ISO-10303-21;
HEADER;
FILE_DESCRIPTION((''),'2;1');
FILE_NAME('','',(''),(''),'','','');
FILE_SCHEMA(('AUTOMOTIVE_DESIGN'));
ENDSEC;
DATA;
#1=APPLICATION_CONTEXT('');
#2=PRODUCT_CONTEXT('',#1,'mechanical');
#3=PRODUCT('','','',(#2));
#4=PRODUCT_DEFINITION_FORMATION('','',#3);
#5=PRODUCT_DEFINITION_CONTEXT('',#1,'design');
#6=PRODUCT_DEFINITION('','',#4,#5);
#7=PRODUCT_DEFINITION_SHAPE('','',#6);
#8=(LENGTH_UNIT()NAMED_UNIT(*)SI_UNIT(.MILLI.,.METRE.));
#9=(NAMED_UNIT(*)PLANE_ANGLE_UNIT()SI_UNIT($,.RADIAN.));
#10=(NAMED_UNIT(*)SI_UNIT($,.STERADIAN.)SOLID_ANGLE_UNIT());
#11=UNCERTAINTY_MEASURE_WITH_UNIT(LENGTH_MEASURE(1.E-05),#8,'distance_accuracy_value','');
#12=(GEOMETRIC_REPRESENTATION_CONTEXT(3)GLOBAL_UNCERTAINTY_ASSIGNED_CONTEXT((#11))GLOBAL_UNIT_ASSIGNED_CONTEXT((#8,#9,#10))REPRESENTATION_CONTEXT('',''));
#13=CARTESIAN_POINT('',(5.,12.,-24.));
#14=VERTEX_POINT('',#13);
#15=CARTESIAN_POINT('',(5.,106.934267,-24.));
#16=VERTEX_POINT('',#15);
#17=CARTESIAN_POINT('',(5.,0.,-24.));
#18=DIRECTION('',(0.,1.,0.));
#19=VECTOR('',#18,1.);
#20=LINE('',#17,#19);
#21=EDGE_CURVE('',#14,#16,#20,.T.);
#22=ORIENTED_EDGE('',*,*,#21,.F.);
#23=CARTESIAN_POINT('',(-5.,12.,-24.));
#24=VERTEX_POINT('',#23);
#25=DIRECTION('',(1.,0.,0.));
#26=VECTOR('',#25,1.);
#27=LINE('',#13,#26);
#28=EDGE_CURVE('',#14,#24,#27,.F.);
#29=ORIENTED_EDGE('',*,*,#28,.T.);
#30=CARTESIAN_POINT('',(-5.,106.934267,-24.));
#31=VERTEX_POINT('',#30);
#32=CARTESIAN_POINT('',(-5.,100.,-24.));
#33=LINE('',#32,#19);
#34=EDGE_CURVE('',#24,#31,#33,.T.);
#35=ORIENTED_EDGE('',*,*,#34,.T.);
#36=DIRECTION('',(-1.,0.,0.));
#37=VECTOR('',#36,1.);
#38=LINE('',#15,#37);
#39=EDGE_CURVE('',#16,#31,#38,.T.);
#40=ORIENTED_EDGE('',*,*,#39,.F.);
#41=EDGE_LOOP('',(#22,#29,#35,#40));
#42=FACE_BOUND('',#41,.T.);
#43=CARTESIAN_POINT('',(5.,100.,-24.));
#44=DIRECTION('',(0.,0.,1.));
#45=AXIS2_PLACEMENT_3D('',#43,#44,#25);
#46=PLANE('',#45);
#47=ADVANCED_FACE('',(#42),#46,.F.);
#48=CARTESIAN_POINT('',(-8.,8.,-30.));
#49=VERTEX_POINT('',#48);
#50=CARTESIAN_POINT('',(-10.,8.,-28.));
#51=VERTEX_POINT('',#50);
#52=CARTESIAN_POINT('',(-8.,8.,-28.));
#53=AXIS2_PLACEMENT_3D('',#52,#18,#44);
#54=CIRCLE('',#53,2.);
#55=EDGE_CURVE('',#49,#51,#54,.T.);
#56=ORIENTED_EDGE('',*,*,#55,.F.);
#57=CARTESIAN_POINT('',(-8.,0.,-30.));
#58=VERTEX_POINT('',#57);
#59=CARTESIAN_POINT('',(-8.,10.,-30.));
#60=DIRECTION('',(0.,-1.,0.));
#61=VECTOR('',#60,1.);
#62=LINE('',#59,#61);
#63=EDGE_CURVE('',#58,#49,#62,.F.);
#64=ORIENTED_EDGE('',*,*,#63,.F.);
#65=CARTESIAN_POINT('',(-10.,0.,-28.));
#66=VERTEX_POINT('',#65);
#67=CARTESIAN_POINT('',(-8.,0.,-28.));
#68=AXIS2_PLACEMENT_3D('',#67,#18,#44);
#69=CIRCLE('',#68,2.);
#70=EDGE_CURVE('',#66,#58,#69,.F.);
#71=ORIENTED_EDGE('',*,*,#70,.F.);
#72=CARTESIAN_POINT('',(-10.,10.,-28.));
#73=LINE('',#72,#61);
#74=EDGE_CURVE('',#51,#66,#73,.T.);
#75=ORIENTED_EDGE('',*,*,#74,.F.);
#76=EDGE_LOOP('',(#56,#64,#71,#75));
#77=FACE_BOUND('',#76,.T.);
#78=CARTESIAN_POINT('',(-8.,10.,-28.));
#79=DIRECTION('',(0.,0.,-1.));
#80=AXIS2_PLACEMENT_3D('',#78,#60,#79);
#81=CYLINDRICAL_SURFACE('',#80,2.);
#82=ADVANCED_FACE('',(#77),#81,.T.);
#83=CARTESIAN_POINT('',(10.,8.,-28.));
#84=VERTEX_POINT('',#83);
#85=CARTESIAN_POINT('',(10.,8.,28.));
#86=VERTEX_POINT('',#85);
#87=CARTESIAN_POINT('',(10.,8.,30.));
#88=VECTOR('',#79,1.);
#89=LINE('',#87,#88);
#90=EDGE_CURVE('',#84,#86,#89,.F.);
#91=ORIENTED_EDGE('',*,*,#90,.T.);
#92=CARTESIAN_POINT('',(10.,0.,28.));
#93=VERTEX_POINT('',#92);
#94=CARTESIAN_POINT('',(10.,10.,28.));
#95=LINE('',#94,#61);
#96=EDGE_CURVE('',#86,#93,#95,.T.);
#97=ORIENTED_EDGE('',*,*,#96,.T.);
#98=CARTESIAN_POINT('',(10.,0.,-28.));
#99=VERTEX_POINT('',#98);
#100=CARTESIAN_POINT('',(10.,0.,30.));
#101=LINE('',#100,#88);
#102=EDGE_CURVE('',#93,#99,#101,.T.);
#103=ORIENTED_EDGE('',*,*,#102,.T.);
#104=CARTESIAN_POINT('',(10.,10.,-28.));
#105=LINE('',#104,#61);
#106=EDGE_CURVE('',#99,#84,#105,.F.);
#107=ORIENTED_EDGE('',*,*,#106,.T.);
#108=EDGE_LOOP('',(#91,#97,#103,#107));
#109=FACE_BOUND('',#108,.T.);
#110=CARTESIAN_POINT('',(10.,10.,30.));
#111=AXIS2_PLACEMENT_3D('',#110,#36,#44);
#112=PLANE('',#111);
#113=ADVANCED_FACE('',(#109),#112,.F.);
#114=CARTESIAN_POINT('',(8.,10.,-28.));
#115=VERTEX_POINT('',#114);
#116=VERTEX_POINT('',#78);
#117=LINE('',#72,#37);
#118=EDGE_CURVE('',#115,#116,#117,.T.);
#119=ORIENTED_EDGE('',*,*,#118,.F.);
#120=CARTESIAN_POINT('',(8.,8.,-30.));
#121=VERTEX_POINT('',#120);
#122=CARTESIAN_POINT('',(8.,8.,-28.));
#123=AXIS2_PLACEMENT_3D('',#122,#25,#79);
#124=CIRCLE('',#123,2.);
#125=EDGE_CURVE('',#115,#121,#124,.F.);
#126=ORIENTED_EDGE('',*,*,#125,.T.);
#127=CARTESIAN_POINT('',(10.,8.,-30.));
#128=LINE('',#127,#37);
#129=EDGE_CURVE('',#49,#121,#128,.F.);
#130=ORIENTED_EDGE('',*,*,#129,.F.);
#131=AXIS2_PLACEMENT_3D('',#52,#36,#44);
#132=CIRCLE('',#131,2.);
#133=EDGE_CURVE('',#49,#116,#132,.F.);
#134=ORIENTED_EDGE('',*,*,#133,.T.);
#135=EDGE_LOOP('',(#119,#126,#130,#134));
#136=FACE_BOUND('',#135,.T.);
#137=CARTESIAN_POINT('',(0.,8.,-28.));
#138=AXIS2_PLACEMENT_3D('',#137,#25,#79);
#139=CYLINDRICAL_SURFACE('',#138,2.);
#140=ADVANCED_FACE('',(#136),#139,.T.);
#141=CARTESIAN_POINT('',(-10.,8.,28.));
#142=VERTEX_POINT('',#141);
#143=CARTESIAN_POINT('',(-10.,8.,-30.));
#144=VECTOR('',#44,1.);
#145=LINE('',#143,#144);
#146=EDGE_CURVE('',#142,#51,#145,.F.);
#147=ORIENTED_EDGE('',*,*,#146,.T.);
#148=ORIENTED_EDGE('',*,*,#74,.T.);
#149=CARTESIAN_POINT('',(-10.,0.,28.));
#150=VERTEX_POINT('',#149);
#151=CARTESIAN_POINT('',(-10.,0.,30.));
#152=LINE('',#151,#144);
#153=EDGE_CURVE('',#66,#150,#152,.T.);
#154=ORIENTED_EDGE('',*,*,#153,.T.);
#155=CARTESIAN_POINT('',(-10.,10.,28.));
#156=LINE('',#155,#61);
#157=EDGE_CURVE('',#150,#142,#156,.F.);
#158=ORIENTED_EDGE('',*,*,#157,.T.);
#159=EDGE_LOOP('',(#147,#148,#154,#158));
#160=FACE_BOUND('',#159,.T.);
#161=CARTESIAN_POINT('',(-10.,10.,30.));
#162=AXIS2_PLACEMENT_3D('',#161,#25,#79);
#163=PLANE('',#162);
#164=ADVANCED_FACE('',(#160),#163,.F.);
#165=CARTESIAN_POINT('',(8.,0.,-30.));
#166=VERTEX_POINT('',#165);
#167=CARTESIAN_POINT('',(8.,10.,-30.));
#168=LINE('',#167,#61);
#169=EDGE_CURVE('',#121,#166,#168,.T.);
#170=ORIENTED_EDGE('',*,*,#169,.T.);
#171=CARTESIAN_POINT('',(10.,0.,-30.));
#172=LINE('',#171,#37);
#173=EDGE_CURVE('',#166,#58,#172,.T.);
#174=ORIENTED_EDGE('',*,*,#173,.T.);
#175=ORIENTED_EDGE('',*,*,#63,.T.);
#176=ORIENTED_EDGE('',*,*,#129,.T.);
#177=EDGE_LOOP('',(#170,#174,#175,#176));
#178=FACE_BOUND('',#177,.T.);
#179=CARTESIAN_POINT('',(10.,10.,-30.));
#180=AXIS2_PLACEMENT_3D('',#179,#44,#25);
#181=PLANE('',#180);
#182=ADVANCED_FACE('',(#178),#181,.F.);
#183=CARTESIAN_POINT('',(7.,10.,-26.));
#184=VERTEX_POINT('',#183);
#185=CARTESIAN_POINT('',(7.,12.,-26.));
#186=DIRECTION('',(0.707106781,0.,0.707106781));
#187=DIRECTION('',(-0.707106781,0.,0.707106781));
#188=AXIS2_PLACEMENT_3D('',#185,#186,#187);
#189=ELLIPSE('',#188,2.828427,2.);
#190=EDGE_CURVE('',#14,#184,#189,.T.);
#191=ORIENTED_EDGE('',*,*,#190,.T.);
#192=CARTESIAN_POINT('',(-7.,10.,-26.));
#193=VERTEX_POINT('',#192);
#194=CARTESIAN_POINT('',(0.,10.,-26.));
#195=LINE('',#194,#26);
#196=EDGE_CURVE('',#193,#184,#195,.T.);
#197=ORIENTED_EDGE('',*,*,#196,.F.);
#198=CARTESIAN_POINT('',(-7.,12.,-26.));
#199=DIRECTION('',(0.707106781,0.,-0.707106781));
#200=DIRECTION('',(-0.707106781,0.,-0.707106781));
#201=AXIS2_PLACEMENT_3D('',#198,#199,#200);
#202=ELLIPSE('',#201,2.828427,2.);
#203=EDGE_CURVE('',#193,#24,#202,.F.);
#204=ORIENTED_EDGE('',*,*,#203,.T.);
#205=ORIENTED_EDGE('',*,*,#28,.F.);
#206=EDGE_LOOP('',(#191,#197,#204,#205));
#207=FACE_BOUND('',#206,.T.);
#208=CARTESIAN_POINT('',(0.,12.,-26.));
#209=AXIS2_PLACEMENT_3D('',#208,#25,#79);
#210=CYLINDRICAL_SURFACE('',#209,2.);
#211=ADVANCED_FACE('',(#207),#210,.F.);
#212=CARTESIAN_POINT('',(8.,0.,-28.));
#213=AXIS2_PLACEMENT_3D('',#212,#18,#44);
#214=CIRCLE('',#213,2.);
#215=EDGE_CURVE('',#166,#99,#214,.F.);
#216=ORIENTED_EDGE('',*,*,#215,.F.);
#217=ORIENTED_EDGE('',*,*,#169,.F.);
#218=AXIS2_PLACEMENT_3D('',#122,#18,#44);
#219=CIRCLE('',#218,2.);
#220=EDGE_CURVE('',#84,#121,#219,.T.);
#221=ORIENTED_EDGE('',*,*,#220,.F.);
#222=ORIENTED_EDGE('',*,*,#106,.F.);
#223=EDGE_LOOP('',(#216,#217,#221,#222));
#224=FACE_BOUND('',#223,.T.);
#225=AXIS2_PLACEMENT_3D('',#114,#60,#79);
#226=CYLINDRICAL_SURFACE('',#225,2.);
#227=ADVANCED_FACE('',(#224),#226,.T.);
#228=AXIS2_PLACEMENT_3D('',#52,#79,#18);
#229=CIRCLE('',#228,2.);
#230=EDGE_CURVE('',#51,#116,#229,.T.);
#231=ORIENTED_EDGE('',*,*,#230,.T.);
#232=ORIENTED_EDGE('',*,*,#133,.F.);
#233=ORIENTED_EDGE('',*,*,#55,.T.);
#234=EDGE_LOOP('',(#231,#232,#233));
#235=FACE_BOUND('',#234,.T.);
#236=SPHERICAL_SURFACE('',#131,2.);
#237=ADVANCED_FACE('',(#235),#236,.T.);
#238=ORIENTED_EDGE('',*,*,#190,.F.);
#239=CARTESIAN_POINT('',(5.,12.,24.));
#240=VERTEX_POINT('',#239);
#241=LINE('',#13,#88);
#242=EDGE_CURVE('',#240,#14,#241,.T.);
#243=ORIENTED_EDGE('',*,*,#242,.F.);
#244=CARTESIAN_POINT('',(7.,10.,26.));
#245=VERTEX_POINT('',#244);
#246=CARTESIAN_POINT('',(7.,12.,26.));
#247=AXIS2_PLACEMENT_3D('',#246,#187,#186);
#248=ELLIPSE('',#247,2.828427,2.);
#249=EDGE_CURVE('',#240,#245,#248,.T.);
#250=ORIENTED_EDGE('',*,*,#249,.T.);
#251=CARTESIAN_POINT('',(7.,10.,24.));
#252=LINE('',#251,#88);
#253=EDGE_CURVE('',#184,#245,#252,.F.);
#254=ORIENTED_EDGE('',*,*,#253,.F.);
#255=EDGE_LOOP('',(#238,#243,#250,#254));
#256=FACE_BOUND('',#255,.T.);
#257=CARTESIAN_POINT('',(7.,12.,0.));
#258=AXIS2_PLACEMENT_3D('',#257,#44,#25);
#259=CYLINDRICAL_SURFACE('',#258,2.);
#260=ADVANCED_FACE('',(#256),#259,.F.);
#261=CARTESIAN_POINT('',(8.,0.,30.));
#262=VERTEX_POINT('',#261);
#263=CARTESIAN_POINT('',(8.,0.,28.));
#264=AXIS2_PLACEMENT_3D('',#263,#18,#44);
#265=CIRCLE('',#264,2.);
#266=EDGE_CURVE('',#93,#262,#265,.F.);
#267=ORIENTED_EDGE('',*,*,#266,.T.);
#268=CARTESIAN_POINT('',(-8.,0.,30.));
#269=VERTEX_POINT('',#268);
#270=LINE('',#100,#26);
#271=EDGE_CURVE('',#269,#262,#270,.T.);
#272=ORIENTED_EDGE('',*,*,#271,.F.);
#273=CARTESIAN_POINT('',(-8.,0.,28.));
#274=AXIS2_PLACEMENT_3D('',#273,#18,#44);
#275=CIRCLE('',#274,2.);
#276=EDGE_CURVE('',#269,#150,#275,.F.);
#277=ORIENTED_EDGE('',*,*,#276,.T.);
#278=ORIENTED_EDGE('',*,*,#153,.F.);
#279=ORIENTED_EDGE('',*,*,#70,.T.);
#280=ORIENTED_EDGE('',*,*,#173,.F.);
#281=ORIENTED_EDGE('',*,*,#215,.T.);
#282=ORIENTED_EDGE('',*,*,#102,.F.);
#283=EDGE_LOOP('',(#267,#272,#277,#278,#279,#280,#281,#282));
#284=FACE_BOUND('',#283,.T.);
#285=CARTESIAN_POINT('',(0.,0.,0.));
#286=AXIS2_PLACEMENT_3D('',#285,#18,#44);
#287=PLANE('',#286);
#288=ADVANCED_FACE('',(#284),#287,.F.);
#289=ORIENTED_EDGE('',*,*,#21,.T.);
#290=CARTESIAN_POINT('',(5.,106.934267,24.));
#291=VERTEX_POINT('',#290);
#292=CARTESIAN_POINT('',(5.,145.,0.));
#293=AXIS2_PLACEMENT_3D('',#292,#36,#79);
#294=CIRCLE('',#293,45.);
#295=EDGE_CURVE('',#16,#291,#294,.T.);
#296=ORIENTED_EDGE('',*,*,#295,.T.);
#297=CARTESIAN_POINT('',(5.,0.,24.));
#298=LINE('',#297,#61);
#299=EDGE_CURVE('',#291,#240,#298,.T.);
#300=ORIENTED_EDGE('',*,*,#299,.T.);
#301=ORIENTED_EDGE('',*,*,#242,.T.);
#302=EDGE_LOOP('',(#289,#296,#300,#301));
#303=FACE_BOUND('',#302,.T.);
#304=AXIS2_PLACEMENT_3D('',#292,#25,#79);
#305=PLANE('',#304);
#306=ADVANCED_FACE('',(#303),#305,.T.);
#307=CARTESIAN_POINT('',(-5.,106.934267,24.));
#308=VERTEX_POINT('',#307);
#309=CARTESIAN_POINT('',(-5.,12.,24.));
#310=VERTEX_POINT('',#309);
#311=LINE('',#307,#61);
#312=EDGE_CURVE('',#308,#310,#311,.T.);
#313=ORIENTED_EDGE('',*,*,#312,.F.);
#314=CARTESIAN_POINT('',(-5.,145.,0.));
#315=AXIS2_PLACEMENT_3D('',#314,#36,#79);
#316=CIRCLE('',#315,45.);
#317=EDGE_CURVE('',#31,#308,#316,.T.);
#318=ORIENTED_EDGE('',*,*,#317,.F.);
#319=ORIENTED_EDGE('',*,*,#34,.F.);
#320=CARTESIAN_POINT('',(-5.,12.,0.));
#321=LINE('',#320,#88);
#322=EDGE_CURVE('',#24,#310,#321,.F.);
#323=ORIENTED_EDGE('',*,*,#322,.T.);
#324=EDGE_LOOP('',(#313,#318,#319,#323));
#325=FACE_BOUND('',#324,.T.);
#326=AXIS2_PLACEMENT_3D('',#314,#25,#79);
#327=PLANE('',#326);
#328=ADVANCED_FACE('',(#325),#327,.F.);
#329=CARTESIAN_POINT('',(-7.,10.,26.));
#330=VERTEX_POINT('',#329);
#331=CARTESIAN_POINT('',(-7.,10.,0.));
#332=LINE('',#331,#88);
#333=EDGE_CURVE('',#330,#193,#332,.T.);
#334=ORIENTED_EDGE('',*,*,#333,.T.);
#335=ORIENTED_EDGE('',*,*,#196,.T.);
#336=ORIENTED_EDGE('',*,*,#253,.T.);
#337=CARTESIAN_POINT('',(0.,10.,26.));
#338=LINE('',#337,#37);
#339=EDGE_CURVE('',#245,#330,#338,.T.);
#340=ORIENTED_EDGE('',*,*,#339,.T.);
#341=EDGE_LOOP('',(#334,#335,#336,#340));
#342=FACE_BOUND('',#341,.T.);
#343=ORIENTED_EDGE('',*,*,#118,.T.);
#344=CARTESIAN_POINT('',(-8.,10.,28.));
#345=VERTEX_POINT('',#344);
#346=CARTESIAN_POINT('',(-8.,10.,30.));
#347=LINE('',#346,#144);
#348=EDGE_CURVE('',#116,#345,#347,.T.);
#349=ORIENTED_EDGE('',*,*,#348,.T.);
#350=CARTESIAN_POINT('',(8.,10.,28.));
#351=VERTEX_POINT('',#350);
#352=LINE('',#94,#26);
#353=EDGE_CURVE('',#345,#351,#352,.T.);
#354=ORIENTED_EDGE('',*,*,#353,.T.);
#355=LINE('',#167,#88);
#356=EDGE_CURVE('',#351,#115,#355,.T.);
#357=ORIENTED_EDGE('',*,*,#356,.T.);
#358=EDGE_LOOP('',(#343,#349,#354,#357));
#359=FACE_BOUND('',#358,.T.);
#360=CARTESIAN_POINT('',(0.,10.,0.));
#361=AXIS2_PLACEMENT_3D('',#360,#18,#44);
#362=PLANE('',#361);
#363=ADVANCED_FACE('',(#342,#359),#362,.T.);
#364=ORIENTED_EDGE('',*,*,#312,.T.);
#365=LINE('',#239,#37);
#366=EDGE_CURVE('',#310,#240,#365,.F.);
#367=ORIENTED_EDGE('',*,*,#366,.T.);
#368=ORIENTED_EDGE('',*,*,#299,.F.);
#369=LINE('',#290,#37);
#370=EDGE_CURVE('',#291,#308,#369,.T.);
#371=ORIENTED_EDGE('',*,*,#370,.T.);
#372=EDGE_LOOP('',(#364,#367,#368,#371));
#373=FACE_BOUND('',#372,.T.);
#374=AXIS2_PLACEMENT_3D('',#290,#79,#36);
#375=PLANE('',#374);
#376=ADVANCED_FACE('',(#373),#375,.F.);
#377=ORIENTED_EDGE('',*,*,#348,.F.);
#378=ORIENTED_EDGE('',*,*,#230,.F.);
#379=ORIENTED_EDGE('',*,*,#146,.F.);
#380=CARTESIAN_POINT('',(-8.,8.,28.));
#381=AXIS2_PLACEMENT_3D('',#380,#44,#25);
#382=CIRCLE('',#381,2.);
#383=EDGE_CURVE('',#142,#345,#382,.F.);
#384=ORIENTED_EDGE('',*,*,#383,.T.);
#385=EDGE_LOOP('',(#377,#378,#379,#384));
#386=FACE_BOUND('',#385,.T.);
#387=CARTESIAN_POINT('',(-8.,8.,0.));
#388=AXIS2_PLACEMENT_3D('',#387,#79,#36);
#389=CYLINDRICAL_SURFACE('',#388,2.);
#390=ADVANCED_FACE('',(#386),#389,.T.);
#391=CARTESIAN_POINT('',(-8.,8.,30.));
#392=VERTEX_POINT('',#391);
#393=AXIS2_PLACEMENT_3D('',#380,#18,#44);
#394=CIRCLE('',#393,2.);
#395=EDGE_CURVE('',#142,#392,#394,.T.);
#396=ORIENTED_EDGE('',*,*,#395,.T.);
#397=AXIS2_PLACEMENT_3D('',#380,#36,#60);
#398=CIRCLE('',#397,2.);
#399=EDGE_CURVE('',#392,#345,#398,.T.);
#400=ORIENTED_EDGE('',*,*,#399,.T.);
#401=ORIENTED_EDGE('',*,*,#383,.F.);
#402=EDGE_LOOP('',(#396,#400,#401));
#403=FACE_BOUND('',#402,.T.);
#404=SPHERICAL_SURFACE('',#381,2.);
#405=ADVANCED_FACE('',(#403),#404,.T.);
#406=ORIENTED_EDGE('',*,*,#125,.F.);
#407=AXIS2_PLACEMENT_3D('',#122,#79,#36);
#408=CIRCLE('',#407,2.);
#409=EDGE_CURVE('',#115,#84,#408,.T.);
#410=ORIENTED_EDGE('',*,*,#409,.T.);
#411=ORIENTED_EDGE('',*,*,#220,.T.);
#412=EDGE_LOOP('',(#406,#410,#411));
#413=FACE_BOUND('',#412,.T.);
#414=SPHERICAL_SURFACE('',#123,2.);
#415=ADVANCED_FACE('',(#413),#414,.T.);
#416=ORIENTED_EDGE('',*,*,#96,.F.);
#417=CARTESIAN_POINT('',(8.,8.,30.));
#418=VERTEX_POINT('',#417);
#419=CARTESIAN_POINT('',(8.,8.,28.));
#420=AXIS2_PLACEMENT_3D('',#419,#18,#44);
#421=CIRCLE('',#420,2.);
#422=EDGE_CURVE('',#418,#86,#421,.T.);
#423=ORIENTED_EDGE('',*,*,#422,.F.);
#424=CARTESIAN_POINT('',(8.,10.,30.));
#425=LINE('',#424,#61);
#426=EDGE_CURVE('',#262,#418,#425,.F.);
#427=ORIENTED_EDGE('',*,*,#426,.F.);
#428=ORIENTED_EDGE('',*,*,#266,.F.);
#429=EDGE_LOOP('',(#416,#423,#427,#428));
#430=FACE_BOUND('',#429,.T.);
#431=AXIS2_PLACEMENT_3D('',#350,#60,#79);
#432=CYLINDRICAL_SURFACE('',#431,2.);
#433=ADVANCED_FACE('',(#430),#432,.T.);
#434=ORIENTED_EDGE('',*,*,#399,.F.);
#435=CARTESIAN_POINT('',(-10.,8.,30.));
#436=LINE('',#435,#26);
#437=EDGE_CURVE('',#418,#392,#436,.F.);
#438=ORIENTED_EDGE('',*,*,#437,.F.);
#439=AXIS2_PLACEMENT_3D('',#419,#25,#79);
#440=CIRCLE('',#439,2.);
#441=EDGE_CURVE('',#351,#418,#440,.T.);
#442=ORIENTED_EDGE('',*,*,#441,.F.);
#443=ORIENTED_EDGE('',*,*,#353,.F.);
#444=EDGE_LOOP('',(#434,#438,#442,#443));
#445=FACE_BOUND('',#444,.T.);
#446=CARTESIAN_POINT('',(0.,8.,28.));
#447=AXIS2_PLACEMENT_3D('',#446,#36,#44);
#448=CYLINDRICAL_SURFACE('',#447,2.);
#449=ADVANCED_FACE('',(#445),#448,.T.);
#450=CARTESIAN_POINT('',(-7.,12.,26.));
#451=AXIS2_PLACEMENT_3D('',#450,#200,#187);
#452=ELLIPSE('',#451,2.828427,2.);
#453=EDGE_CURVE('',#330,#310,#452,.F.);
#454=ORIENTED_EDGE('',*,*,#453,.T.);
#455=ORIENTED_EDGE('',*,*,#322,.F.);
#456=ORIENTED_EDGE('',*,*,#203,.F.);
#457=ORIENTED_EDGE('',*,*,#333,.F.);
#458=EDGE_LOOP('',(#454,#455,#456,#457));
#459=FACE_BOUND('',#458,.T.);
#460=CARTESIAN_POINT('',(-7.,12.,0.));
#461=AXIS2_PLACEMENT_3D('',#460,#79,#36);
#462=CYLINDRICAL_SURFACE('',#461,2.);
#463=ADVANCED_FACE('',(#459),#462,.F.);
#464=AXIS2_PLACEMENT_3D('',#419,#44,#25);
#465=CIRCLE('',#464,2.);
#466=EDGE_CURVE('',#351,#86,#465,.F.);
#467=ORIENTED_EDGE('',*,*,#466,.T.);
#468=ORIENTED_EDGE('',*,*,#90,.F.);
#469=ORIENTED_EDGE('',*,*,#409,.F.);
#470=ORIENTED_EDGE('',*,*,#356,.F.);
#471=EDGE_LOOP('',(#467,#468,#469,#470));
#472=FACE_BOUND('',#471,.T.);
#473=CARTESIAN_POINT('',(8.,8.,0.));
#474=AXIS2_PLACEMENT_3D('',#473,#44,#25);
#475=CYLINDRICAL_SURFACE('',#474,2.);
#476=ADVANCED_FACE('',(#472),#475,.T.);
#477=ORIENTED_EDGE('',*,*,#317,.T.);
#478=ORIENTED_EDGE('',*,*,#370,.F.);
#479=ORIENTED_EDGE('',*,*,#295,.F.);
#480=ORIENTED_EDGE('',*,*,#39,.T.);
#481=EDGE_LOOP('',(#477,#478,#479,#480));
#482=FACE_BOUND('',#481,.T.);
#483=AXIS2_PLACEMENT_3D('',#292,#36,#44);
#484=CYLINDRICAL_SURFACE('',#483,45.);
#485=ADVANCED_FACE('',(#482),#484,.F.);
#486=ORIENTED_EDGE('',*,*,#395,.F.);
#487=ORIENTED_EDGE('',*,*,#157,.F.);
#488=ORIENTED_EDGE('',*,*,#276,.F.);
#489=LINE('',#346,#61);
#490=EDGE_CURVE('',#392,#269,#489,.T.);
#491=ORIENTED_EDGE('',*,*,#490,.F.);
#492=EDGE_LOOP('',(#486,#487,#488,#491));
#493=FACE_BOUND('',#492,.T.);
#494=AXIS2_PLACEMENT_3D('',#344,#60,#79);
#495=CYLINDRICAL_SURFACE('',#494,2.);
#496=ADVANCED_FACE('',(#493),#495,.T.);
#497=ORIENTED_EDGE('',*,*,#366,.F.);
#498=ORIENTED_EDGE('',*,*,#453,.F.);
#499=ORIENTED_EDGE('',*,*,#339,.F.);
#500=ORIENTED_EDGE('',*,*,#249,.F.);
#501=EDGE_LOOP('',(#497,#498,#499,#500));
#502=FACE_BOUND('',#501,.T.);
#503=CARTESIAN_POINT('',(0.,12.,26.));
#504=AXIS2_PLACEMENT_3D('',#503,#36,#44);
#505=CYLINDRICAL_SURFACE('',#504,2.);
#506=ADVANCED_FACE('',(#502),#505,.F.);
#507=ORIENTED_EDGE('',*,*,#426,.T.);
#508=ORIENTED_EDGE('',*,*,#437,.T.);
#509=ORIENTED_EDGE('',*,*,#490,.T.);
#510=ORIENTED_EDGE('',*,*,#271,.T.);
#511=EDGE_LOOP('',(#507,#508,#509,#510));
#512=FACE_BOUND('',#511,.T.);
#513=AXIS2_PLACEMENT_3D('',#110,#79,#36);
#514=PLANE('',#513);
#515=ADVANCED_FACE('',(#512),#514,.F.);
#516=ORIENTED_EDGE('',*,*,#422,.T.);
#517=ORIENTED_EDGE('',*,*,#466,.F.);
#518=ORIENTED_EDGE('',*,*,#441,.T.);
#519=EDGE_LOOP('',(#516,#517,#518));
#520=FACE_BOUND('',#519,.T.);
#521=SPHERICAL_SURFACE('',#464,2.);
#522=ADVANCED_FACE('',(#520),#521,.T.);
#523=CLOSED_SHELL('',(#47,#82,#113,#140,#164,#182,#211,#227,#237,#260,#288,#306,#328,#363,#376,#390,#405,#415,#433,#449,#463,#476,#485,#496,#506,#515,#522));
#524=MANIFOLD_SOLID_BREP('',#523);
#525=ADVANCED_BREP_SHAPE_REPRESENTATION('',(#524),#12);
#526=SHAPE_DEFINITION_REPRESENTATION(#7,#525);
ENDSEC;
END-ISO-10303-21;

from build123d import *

# Parameters (mm, degrees)
SKETCH_1_W      = 20
SKETCH_1_H      = 60
EXTRUDE_1_DEPTH = 10
EXTRUDE_3_DEPTH = 5
FILLET_1_R      = 2


with BuildPart() as part:
    # 스케치1 → 보스-돌출1 (new body)
    with BuildSketch(Plane(origin=(0, 0, 0), x_dir=(1, 0, 0), z_dir=(0, 1, 0))):
        Rectangle(SKETCH_1_W, SKETCH_1_H)
    extrude(amount=EXTRUDE_1_DEPTH)

    # 스케치5 → 보스-돌출3 (add, symmetric)
    with BuildSketch(Plane(origin=(0, 0, 0), x_dir=(0, 0, -1), z_dir=(1, 0, 0))):
        with BuildLine():
            Line((-24, 0), (24, 0))
            Line((24, 0), (24, 100))
            Line((24, 100), (24, 106.934267379))
            ThreePointArc((24, 106.934267379), (0, 100), (-24, 106.934267379))
            Line((-24, 106.934267379), (-24, 100))
            Line((-24, 100), (-24, 0))
        make_face()
    extrude(amount=EXTRUDE_3_DEPTH, both=True)

    # 필렛1
    fillet_1_edges = [part.edges().sort_by_distance(p)[0] for p in [
        (10, 10, 0),
        (0, 10, -30),
        (0, 10, -24),
        (0, 10, 24),
        (-5, 10, 0),
        (5, 10, 0),
        (-10, 10, 0),
        (-10, 5, -30),
        (10, 5, -30),
        (10, 5, 30),
        (-10, 5, 30),
        (0, 10, 30),
    ]]
    fillet(fillet_1_edges, radius=FILLET_1_R)


solid = part.part
